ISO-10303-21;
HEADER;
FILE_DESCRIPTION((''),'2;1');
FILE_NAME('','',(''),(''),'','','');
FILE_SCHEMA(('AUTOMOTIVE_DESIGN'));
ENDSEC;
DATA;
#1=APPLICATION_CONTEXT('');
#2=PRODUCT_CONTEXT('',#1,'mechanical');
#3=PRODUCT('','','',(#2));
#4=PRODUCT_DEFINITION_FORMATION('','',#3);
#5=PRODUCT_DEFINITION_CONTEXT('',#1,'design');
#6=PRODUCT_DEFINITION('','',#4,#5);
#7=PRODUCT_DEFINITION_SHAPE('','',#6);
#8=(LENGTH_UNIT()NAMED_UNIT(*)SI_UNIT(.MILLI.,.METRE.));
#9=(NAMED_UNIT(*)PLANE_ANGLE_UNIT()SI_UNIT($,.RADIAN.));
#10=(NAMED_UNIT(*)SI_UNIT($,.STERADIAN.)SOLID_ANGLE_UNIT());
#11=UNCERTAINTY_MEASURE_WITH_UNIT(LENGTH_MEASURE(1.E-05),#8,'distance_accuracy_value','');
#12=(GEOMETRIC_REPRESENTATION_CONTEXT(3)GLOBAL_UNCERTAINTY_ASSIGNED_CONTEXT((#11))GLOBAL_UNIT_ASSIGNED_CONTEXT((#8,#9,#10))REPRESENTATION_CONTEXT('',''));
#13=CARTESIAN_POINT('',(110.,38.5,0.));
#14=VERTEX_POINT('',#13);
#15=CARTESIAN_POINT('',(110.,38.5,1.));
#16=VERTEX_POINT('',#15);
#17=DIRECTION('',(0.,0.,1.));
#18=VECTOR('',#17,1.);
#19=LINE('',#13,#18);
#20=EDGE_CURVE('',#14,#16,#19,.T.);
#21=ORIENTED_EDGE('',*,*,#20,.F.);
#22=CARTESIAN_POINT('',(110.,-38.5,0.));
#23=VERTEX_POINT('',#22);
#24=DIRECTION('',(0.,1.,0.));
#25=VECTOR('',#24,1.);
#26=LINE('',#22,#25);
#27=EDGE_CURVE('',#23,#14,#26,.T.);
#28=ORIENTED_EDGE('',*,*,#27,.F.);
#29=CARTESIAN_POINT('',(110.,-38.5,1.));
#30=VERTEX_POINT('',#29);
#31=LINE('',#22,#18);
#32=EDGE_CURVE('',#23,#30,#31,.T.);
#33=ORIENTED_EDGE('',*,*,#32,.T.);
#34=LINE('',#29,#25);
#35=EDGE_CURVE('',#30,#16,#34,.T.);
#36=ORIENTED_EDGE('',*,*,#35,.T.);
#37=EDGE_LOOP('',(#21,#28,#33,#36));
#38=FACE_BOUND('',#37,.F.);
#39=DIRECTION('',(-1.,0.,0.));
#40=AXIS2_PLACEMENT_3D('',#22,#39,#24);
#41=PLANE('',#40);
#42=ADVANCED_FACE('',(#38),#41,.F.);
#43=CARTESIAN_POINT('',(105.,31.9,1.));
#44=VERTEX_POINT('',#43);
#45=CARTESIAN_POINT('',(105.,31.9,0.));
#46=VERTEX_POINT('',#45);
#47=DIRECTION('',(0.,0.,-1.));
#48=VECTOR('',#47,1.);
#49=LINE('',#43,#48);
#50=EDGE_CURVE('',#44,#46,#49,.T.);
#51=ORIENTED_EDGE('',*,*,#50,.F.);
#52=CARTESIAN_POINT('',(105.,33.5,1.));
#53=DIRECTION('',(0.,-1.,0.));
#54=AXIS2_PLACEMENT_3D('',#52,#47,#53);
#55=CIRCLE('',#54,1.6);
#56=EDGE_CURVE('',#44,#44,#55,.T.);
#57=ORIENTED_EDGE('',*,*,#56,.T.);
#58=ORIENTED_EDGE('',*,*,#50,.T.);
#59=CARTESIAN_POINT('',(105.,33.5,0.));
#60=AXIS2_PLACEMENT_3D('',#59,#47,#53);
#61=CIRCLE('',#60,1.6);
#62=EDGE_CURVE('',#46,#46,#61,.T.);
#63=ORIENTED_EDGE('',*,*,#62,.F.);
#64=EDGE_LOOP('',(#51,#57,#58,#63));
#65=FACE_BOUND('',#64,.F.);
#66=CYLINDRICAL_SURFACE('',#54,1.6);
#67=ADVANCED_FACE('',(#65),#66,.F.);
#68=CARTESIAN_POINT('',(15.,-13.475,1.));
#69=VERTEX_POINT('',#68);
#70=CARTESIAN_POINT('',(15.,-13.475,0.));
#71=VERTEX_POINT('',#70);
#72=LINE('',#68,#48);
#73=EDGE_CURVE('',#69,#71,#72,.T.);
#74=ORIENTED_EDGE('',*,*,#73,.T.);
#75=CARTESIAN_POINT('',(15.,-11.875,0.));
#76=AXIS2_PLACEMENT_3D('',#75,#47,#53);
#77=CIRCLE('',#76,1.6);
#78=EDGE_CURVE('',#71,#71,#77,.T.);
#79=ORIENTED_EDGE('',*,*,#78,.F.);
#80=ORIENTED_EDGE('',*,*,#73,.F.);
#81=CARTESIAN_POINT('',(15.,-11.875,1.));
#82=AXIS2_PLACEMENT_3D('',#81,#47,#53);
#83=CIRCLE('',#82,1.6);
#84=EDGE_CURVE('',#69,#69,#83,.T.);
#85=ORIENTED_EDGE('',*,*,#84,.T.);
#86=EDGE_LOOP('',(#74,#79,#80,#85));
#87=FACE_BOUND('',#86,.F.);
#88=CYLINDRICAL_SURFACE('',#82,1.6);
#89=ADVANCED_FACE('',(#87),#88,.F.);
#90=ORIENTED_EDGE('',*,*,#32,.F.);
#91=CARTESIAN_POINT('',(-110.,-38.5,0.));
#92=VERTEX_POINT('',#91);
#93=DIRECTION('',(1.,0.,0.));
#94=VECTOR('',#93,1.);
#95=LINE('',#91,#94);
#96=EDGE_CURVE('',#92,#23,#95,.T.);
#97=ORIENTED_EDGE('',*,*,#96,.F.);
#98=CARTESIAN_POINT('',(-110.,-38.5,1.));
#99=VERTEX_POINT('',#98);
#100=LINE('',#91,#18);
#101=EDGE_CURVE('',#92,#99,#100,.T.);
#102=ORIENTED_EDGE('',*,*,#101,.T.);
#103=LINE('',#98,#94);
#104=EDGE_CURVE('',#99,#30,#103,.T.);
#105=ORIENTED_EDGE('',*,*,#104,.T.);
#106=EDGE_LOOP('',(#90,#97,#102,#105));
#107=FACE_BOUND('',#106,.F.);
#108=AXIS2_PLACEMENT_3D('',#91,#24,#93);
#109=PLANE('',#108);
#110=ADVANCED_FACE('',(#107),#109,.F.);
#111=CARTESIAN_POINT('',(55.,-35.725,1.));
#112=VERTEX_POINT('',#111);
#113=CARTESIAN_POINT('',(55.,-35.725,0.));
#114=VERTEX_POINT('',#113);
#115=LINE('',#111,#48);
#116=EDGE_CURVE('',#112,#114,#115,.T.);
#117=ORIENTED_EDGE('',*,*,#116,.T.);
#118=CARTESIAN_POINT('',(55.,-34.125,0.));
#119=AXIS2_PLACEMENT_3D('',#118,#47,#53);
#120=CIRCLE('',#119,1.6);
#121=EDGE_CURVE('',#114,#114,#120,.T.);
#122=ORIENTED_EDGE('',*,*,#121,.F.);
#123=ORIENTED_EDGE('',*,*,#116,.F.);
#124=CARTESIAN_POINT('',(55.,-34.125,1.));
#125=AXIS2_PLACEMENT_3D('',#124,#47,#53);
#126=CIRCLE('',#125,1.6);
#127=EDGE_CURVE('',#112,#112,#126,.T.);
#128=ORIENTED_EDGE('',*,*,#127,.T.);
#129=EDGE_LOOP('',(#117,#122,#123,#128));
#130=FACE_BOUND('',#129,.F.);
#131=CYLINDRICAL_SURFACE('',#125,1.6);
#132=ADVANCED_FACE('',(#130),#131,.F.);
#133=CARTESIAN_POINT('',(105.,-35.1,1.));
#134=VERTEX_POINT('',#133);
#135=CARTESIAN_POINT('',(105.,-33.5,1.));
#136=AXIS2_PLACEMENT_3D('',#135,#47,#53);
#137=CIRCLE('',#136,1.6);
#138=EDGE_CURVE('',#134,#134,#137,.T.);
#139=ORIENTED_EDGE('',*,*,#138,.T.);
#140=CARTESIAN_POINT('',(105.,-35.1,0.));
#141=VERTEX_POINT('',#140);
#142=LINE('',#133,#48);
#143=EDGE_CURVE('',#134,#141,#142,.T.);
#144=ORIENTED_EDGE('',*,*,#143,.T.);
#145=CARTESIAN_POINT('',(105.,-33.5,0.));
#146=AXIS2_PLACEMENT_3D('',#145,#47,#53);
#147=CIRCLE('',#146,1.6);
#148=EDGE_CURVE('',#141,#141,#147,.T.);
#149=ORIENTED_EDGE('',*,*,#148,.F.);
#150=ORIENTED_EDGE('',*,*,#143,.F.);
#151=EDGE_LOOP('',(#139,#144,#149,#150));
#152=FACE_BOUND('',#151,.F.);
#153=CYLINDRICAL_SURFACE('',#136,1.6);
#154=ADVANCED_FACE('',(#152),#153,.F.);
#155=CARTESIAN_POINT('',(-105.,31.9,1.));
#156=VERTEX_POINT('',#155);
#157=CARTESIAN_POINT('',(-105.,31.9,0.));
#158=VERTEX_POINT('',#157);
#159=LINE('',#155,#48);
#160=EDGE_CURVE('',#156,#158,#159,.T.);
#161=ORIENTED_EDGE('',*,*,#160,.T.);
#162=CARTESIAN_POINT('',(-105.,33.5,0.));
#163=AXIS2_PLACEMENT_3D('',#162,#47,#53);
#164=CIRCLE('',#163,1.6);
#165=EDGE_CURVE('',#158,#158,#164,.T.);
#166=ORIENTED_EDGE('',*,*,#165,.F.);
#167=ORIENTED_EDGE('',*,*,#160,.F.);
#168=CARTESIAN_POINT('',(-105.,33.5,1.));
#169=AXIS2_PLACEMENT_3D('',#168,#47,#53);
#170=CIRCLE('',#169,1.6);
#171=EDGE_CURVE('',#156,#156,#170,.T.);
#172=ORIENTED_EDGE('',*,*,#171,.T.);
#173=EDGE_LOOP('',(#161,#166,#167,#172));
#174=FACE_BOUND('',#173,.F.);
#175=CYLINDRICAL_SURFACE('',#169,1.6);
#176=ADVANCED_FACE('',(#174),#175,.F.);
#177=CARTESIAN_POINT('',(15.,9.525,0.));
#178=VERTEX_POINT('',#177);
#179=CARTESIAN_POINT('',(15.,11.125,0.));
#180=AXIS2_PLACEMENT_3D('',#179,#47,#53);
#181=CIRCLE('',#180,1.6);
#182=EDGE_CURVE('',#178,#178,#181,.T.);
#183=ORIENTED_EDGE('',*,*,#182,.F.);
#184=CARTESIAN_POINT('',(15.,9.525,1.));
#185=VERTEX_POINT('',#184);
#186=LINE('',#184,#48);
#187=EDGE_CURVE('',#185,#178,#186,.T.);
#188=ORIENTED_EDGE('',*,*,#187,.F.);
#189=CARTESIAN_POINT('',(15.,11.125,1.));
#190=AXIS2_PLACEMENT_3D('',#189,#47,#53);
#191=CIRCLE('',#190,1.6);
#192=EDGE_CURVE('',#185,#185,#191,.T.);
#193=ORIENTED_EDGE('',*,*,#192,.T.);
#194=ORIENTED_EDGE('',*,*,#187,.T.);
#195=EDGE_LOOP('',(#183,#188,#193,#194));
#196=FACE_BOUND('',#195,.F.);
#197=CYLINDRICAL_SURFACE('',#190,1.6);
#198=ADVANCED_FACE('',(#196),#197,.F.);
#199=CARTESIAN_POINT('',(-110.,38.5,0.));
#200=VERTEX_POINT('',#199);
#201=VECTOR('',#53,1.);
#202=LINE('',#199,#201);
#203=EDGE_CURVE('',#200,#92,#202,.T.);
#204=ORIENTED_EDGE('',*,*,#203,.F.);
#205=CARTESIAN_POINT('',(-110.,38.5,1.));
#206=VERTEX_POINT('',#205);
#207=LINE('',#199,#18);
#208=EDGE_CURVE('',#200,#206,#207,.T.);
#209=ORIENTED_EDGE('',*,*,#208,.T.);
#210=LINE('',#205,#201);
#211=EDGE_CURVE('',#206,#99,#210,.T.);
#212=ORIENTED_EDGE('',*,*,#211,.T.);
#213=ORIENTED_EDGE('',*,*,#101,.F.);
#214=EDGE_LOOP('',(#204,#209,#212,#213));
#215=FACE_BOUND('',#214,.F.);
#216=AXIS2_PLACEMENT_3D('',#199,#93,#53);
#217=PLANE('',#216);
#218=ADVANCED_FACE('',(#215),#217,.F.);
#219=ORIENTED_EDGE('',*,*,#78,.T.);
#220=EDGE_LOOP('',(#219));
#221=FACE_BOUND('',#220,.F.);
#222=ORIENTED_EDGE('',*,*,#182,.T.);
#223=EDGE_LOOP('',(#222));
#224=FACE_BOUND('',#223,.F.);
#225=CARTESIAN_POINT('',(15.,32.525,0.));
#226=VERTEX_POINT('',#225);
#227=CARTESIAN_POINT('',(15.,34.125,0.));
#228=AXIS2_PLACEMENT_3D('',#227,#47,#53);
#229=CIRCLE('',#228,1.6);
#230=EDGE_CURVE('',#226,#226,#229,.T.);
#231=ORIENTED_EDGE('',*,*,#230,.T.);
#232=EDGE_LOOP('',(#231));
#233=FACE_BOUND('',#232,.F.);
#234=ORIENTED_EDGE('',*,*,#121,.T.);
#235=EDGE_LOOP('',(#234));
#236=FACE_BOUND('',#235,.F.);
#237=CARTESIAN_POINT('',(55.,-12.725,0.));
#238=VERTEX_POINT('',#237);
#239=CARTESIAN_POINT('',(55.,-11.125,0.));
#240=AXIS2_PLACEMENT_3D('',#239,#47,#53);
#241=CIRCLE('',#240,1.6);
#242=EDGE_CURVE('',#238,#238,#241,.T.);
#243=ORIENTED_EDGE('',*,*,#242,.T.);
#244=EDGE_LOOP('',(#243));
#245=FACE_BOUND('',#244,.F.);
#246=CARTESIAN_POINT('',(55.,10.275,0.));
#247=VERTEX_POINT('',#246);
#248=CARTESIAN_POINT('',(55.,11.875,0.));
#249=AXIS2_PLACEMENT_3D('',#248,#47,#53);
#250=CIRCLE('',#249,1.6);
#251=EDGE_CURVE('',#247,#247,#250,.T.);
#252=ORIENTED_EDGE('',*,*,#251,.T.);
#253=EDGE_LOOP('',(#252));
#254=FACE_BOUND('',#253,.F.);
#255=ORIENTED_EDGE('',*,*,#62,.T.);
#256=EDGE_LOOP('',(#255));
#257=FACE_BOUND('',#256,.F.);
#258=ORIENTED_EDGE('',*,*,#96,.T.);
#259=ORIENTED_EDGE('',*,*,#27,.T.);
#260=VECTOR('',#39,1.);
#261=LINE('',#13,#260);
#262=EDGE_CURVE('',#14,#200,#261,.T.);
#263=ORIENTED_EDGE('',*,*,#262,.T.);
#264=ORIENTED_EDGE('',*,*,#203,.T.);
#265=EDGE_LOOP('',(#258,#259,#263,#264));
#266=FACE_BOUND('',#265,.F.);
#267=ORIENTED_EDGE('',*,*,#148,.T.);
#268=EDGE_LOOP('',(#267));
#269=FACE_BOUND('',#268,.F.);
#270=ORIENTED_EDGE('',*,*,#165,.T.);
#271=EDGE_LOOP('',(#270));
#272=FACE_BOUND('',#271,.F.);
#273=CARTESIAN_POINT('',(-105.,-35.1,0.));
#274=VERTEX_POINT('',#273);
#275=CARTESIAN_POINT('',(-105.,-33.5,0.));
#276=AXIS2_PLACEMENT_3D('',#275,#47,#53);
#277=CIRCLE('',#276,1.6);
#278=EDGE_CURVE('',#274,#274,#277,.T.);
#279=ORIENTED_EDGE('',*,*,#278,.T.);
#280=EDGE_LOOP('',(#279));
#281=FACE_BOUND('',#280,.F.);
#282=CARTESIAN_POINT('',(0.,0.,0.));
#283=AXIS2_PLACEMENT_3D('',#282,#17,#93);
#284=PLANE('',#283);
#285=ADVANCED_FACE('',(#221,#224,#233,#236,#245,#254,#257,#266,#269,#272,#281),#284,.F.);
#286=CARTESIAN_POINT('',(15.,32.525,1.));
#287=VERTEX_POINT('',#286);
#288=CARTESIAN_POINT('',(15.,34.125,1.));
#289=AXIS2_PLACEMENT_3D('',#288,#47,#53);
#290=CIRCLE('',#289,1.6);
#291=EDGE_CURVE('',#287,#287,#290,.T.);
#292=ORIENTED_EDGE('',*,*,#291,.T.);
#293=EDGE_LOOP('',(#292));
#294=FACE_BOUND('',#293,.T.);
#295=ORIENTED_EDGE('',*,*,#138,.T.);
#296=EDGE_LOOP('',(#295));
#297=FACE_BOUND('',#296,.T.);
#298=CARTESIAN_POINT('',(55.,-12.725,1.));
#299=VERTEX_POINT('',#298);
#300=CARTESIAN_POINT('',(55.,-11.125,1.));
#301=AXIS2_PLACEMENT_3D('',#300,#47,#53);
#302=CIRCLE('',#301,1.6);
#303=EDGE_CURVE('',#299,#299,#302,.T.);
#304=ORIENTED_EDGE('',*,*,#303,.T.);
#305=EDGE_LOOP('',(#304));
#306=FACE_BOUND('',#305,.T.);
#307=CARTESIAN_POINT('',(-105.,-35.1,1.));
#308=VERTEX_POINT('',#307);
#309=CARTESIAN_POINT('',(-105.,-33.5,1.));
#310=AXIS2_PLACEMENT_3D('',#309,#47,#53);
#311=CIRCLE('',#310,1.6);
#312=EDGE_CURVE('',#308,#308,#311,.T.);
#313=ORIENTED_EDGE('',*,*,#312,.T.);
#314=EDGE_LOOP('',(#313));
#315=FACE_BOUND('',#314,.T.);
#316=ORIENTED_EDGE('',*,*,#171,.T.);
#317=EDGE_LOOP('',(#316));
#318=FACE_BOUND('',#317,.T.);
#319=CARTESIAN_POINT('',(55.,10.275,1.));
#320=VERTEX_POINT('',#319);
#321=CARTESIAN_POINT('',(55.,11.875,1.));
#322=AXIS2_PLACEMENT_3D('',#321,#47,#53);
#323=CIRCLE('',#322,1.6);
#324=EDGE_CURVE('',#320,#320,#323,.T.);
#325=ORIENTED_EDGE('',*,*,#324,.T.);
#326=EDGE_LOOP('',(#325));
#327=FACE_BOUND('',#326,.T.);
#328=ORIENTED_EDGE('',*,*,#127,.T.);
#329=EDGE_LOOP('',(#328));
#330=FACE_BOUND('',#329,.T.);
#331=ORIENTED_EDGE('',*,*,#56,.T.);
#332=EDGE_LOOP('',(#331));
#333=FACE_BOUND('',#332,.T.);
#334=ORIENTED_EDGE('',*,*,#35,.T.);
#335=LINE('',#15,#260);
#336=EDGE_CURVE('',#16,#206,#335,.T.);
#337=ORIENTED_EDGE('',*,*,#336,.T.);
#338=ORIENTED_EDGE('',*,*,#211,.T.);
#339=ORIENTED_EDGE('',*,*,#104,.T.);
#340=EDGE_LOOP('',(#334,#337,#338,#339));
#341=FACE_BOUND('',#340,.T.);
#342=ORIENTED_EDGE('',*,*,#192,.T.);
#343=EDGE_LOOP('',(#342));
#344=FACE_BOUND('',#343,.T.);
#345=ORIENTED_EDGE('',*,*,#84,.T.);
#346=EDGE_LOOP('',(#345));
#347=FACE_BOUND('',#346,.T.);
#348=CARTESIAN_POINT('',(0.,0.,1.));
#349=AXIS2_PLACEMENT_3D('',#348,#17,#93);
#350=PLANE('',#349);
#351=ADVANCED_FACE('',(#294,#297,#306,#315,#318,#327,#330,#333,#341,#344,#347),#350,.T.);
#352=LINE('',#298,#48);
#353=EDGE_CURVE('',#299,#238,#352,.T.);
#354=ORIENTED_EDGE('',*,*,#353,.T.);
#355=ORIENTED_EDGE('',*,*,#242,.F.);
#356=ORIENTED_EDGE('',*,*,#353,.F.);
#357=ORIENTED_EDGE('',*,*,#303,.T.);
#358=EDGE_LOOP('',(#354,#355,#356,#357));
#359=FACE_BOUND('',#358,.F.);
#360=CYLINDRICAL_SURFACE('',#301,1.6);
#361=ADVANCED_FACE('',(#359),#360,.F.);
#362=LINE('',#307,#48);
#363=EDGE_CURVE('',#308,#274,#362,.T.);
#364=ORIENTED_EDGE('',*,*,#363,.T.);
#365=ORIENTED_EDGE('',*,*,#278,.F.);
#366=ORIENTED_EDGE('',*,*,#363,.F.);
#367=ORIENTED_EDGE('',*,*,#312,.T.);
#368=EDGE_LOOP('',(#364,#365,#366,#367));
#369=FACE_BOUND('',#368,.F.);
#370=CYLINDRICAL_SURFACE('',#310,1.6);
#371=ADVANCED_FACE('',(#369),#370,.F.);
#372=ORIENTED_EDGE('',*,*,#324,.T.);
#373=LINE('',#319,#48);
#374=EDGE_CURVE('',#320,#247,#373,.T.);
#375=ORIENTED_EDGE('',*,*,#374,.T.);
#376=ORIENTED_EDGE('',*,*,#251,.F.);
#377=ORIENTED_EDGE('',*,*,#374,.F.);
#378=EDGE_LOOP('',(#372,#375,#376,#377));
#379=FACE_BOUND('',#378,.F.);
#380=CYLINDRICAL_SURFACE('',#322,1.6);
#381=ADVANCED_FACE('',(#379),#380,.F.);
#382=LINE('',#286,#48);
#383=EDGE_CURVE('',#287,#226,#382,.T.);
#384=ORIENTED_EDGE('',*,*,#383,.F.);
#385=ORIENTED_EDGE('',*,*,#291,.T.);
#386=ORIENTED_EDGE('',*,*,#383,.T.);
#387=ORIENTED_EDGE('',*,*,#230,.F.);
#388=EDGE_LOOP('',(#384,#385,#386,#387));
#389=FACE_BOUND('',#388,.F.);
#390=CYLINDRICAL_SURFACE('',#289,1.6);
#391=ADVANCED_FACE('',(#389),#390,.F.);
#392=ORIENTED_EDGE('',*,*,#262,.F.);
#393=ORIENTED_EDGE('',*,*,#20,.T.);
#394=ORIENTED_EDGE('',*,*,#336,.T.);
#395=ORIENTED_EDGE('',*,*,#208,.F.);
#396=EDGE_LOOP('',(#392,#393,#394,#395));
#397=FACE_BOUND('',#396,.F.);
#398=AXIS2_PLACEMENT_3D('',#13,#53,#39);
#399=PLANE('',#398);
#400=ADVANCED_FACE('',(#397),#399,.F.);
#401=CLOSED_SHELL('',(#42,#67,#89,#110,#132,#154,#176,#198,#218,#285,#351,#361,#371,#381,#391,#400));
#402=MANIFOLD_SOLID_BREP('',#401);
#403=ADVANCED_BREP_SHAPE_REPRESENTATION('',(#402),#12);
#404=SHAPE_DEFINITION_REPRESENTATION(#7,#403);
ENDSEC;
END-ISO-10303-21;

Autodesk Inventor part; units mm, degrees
ref_plane "YZ Plane" through (0, 0, 0) normal (1, 0, 0) x (0, 1, 0)
ref_plane "XZ Plane" through (0, 0, 0) normal (0, 1, 0) x (-1, 0, 0)
ref_plane "XY Plane" through (0, 0, 0) normal (0, 0, 1) x (1, 0, 0)
sketch "スケッチ1" plane through (0, 0, 0) normal (0, 0, 1) x (1, 0, 0)
  line L0 (-110, -38.5) -> (110, -38.5)
  line L1 (110, -38.5) -> (110, 38.5)
  line L2 (110, 38.5) -> (-110, 38.5)
  line L3 (-110, 38.5) -> (-110, -38.5)
  line L4 (-110, -38.5) -> (110, 38.5) construction
  line L5 (110, -38.5) -> (-110, 38.5) construction
  point P0 (0, 0)
  dimension "d0" = 220
  dimension "d1" = 77
extrude "プレート1" add sketch "スケッチ1" along normal blind 1
sketch "スケッチ2" plane through (0, 0, 1) normal (0, 0, 1) x (1, 0, 0)
  line L0 (-110, -38.5) -> (-110, 38.5) projected
  line L1 (110, -38.5) -> (-110, -38.5) projected
  line L2 (110, 38.5) -> (110, -38.5) projected
  line L3 (-110, 38.5) -> (110, 38.5) projected
  line L4 (105, 33.5) -> (105, -33.5)
  line L5 (105, -33.5) -> (-105, -33.5)
  line L6 (-105, -33.5) -> (-105, 33.5)
  line L7 (-105, 33.5) -> (105, 33.5)
  point P0 (0, 0)
  dimension "d3" = 5
hole "穴1" at (-105, 33.5, 1) at (-105, -33.5, 1) at (105, -33.5, 1) at (105, 33.5, 1) direction (0, 0, -1) diameter 3.2 depth 1 clearance for "Flat Head Machine Screw" size "M3" standard "Ansi Metric M Profile"
sketch "スケッチ3" plane through (0, 0, 1) normal (0, 0, 1) x (1, 0, 0)
  line L0 (55, -34.125) -> (15, -34.125)
  line L1 (15, -34.125) -> (15, -11.875)
  line L2 (15, -11.875) -> (55, -11.875)
  line L3 (55, -11.875) -> (55, -34.125)
  line L4 (55, -34.125) -> (15, -11.875) construction
  line L5 (15, -34.125) -> (55, -11.875) construction
  line L6 (15, 11.125) -> (55, 11.125)
  line L7 (55, 11.125) -> (55, -11.125)
  line L8 (55, -11.125) -> (15, -11.125)
  line L9 (15, -11.125) -> (15, 11.125)
  line L10 (15, 11.125) -> (55, -11.125) construction
  line L11 (55, 11.125) -> (15, -11.125) construction
  line L12 (15, 11.875) -> (55, 11.875)
  line L13 (55, 11.875) -> (55, 34.125)
  line L14 (55, 34.125) -> (15, 34.125)
  line L15 (15, 34.125) -> (15, 11.875)
  line L16 (15, 11.875) -> (55, 34.125) construction
  line L17 (55, 11.875) -> (15, 34.125) construction
  point P0 (0, 0)
  point P1 (35, -23)
  point P2 (35, 0)
  point P3 (35, 0)
  point P4 (35, 23)
  point P5 (35, 23)
  point P6 (35, 0)
  point P7 (35, -23)
  dimension "d11" = 22.25
  dimension "d12" = 40
  dimension "d13" = 40
  dimension "d14" = 22.25
  dimension "d15" = 40
  dimension "d16" = 22.25
  dimension "d17" = 23
  dimension "d18" = 23
  dimension "d20" = 35
hole "穴2" at (15, 34.125, 1) at (55, 11.875, 1) at (15, 11.125, 1) at (55, -11.125, 1) at (15, -11.875, 1) at (55, -34.125, 1) direction (0, 0, -1) diameter 3.2 end through all clearance for "Flat Head Machine Screw" size "M3" standard "Ansi Metric M Profile"
equation "\"d9\" = Thickness"
equation "\"d26\" = Thickness"
equation "\"d2\" = Thickness"
equation "\"BendRadius\" = Thickness"
equation "\"BendReliefWidth\" = Thickness"
equation "\"BendReliefDepth\" = 0.5 * Thickness"
equation "\"CornerReliefSize\" = 4 * Thickness"
equation "\"MinimumRemnant\" = 2 * Thickness"
equation "\"TransitionRadius\" = BendRadius"
equation "\"JacobiRadiusSize\" = Thickness"
equation "\"GapSize\" = Thickness"
equation "\"Thickness\" = 1"
properties part number "plate3" material "CFRP"
